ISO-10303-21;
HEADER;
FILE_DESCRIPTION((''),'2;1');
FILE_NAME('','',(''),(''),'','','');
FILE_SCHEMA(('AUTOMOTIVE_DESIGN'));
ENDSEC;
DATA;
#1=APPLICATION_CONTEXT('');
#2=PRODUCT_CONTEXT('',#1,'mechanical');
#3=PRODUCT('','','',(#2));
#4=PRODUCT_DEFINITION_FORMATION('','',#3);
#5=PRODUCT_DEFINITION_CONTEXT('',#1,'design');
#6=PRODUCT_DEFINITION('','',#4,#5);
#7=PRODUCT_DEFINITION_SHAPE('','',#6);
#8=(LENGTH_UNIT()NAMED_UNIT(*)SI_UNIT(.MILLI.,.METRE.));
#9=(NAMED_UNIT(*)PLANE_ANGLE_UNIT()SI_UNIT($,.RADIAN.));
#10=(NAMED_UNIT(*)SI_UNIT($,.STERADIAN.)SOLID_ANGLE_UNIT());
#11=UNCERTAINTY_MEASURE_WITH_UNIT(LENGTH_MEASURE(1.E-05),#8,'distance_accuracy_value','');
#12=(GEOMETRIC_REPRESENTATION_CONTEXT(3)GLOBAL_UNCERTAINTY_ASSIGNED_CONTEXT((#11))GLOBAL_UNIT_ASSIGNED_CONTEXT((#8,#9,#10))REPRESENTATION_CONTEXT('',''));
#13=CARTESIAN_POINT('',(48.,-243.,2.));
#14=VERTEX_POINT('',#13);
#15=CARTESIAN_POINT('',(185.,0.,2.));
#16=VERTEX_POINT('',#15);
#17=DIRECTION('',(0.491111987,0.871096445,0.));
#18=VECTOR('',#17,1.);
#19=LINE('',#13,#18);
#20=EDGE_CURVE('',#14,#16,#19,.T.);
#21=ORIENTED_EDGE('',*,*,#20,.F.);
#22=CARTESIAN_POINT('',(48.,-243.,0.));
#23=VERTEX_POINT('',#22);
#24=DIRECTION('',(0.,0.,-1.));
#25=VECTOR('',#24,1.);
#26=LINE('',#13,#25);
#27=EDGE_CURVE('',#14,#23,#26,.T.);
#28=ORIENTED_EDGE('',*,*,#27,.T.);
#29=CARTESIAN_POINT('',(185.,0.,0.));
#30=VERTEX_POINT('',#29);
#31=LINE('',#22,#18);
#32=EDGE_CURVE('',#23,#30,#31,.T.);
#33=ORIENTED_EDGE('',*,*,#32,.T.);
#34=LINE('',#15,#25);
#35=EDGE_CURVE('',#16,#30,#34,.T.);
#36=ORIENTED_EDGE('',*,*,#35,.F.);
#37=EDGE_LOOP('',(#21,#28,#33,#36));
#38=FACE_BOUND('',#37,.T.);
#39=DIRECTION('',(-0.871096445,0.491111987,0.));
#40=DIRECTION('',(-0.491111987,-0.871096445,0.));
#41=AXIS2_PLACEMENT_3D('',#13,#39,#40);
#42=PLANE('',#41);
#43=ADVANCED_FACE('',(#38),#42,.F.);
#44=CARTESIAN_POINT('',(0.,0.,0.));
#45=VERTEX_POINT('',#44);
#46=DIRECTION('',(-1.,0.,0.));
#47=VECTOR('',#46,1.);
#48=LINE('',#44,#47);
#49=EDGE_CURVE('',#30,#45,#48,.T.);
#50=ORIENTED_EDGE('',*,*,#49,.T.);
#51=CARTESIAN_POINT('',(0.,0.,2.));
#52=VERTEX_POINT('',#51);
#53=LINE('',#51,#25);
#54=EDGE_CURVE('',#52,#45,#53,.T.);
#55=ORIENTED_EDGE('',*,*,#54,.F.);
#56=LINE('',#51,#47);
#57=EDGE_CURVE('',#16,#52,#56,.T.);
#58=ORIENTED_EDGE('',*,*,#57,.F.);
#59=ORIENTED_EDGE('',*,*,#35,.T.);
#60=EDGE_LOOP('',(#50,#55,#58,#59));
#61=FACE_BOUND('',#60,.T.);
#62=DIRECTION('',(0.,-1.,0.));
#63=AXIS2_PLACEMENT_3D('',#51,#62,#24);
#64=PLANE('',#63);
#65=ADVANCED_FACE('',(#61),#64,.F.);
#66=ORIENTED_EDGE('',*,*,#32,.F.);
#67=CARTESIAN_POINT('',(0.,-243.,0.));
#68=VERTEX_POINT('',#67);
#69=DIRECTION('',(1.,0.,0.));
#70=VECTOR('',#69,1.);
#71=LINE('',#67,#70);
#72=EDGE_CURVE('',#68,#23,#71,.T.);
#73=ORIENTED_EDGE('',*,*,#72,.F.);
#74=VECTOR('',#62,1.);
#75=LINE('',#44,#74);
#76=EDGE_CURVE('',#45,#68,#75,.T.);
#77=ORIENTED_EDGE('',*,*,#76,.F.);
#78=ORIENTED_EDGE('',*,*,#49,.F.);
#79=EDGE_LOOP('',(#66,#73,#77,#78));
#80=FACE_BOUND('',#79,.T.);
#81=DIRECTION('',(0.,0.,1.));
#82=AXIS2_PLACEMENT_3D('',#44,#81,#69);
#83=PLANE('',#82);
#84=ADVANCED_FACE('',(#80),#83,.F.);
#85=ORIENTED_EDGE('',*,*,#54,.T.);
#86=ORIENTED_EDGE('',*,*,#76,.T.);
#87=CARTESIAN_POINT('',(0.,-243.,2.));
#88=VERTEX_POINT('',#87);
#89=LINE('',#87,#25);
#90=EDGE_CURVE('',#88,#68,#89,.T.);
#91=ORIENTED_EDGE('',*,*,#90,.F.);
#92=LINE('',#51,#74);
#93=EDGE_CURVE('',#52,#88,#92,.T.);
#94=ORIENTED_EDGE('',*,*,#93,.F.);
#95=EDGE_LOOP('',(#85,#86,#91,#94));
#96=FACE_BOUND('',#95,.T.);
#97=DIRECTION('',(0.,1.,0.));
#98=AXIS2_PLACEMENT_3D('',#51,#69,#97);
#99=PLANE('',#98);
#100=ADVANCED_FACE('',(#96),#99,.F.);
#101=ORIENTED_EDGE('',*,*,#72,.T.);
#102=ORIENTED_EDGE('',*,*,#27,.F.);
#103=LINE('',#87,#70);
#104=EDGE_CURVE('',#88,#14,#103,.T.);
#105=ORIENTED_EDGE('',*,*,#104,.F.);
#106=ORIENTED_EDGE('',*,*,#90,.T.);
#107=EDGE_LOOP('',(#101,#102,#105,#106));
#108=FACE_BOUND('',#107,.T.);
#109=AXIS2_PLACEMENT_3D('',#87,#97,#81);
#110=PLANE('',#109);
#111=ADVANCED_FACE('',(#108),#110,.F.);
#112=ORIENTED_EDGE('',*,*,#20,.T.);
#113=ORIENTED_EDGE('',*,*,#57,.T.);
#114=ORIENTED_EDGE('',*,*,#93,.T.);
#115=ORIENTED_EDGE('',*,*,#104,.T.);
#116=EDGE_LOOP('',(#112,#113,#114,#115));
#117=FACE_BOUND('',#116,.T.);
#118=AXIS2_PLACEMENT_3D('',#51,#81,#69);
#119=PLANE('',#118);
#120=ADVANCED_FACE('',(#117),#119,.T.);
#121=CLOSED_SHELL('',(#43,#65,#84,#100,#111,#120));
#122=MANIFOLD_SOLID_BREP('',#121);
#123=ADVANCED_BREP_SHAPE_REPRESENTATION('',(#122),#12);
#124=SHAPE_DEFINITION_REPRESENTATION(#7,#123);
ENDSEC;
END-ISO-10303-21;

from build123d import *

# Parameters (mm, degrees)
RESSALTO_EXTRUS_O1_DEPTH = 2


with BuildPart() as part:
    # Esboço1 → Ressalto-extrusão1 (new body)
    with BuildSketch(Plane.XY):
        Polygon((0, 0), (185, 0), (48, -243), (0, -243), align=None)
    extrude(amount=RESSALTO_EXTRUS_O1_DEPTH)


solid = part.part
